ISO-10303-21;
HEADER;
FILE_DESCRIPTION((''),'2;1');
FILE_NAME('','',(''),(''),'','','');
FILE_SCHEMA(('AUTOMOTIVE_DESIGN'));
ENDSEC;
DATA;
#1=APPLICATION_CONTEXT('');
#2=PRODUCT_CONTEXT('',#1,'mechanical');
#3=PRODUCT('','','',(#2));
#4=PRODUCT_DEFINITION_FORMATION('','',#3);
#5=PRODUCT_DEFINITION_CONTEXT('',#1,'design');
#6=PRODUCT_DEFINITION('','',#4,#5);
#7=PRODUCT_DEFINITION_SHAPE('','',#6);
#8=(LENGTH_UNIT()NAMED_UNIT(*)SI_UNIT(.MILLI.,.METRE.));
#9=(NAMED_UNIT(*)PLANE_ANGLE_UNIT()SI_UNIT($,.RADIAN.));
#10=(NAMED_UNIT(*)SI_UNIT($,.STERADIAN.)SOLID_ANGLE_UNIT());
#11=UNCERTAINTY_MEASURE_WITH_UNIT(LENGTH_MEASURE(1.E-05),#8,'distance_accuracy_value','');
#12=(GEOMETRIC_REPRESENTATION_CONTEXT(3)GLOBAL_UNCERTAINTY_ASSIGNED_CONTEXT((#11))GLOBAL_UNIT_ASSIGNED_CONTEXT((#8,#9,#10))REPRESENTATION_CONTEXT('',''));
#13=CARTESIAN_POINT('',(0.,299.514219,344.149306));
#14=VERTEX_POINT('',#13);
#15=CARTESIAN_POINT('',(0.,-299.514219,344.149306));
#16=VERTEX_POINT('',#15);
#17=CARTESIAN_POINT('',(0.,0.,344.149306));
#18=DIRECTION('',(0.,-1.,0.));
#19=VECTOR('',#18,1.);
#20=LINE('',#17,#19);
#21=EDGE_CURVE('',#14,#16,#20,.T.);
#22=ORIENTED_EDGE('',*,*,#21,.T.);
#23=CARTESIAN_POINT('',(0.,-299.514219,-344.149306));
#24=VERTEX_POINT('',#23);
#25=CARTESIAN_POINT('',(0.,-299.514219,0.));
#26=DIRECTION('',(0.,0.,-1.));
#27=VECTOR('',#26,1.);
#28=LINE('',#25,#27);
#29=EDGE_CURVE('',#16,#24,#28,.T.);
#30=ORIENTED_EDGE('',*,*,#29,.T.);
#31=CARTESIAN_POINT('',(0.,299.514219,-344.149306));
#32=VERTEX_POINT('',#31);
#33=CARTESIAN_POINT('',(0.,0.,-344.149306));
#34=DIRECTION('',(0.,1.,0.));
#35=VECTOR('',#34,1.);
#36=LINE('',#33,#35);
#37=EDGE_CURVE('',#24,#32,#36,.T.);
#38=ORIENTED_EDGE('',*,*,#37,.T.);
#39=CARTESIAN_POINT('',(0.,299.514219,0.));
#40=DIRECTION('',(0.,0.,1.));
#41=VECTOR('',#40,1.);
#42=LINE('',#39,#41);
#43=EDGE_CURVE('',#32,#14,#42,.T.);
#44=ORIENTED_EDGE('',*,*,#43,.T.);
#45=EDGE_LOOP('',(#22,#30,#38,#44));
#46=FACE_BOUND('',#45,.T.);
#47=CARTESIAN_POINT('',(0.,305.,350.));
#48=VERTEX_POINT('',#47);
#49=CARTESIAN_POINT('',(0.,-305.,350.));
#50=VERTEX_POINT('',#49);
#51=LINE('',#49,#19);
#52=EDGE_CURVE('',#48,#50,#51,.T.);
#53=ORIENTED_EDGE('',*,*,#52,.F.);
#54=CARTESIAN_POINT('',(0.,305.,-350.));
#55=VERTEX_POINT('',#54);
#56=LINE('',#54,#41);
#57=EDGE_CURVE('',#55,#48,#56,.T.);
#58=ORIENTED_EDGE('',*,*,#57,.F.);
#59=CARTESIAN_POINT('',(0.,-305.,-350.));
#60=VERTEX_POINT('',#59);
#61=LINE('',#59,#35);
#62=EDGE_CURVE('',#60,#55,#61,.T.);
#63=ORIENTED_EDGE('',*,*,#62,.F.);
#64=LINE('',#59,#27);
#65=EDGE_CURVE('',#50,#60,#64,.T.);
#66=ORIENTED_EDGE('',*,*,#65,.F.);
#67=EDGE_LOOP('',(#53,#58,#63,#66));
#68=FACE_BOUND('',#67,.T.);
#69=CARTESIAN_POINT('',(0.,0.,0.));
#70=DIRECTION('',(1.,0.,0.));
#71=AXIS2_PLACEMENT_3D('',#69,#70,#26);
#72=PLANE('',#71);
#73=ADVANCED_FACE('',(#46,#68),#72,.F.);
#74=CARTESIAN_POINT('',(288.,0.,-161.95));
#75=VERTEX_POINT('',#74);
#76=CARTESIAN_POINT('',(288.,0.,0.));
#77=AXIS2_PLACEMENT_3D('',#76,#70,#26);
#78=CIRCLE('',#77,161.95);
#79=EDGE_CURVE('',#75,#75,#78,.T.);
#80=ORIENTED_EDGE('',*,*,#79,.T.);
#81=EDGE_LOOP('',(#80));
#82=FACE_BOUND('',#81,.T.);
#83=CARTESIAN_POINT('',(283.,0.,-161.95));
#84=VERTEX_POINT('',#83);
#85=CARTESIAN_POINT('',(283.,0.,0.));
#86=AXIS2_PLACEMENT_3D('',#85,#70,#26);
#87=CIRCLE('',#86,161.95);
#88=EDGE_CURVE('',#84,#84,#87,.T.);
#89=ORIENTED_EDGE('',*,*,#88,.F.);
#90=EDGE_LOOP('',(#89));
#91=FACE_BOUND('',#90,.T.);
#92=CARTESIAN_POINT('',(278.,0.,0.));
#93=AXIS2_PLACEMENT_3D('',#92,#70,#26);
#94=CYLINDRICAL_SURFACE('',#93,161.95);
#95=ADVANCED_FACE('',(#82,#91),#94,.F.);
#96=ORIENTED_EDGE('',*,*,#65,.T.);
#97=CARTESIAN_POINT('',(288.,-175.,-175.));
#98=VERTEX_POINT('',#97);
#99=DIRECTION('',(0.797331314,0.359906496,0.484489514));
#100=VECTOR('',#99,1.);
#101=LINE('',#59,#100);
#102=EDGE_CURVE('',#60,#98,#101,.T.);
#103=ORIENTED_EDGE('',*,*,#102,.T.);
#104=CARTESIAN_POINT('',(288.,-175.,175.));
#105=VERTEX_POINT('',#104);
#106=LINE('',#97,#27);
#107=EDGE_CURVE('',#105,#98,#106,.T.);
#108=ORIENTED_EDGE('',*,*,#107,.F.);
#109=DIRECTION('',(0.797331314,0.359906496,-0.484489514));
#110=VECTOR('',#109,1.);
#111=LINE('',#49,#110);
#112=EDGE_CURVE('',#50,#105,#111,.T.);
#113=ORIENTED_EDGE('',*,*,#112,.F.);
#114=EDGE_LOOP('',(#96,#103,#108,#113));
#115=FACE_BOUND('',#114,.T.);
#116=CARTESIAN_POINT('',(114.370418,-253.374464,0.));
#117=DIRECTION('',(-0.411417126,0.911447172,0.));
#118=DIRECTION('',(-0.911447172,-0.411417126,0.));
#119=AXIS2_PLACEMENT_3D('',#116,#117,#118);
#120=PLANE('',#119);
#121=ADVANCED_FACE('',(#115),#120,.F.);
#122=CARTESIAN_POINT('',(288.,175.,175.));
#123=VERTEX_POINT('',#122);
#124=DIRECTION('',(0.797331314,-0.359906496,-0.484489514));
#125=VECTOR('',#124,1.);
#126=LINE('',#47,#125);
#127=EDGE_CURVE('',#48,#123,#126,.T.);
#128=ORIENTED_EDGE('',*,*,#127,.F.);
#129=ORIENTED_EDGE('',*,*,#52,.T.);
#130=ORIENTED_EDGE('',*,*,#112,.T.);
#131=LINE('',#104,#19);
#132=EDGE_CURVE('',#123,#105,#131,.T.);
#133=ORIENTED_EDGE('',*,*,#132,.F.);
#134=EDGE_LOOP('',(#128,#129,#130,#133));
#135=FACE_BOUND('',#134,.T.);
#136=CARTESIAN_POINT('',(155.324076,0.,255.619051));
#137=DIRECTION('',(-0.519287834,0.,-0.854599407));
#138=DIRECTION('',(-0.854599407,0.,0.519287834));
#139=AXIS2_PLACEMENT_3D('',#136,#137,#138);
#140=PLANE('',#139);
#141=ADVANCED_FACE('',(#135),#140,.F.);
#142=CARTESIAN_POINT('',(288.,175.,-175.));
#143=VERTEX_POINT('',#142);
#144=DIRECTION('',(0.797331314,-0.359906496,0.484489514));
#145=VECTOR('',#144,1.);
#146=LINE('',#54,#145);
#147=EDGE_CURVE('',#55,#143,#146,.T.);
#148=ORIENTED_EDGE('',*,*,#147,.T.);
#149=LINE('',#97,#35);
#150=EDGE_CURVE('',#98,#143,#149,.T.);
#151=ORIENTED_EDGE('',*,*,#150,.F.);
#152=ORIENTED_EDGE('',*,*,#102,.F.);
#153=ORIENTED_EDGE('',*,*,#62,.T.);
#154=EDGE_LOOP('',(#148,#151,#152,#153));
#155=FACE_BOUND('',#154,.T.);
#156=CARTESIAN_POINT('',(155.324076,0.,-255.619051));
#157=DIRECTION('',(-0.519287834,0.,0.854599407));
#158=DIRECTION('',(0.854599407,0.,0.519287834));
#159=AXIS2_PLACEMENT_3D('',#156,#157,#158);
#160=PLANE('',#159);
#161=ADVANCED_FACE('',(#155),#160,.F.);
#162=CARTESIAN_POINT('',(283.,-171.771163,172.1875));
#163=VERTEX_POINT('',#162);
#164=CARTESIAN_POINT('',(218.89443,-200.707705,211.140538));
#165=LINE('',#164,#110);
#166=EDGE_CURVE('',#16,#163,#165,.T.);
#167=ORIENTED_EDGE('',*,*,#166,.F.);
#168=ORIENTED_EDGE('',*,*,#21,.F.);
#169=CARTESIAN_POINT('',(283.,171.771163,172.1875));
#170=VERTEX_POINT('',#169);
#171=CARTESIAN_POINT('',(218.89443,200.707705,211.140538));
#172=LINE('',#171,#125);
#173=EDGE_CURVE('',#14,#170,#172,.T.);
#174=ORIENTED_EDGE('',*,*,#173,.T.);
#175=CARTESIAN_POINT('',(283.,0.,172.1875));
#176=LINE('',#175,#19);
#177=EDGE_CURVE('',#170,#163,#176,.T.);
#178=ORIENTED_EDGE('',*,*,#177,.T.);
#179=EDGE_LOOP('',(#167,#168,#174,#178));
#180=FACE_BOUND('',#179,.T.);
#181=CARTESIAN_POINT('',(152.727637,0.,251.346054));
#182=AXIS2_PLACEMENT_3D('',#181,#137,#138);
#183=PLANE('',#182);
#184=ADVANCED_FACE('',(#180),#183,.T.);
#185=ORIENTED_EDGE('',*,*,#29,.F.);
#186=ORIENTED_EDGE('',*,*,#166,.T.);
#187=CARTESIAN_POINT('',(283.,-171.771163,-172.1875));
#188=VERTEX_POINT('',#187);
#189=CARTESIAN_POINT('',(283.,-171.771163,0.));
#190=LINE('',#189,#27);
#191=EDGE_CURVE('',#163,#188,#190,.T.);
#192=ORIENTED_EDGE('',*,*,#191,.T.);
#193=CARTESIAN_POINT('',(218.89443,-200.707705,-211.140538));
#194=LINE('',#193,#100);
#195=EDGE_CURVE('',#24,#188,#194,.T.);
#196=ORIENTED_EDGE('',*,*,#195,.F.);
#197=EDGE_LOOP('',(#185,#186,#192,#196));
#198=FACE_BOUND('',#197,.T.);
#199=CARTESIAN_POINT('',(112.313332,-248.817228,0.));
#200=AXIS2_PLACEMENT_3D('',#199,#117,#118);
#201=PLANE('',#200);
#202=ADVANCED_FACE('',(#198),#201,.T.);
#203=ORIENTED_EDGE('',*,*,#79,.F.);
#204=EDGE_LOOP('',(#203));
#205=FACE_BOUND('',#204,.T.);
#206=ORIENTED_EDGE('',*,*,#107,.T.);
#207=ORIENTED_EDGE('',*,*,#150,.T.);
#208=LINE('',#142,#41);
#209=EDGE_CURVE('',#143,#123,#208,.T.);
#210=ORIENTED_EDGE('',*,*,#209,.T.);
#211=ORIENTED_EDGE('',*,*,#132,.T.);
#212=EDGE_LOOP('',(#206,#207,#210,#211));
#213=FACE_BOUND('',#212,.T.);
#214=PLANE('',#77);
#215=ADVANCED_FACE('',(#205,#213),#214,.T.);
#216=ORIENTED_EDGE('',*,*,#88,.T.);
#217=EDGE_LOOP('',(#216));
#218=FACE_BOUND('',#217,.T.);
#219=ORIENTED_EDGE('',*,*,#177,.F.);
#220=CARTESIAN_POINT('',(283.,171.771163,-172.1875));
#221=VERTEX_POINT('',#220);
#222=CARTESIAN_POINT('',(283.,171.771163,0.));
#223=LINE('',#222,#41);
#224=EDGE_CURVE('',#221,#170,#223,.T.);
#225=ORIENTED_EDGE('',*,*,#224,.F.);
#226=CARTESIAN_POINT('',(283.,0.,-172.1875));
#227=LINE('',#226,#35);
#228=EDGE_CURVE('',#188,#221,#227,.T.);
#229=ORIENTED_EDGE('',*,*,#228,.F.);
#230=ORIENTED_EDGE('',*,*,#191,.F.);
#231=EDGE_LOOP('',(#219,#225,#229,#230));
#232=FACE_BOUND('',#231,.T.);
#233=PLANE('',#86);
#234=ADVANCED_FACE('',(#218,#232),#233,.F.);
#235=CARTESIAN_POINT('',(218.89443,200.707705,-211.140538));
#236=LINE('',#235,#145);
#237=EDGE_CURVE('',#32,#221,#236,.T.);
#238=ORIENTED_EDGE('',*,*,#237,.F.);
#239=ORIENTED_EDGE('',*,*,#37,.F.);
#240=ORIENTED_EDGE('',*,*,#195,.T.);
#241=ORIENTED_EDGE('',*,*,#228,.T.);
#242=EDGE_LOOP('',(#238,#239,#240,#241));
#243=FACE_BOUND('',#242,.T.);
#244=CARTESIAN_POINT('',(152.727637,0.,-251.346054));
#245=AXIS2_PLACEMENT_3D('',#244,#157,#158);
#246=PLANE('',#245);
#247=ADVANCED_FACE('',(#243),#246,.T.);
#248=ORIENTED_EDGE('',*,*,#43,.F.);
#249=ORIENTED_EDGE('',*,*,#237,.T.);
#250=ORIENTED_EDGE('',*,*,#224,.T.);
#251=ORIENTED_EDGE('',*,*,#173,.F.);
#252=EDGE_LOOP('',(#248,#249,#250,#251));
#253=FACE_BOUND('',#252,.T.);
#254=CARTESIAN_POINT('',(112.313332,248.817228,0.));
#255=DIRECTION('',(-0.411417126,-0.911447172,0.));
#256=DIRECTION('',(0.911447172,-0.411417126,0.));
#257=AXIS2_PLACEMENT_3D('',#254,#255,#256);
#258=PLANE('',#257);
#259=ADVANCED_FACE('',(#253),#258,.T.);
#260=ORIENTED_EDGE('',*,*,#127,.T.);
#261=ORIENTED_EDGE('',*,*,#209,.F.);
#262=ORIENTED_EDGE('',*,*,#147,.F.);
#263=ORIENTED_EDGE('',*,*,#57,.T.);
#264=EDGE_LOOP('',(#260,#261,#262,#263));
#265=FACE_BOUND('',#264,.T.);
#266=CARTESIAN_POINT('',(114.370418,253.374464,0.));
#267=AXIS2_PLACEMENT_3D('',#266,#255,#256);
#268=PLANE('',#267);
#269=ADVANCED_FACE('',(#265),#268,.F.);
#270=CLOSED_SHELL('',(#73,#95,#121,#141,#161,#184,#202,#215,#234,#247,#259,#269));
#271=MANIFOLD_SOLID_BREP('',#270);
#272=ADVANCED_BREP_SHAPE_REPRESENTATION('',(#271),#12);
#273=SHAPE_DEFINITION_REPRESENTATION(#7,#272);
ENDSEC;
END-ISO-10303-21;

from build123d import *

# Parameters (mm, degrees)
SHELL1_T           = -5
SKETCH3_R          = 161.95
CUT_EXTRUDE1_DEPTH = 10


with BuildPart() as part:
    # Sketch1 → Loft1 section 0
    with BuildSketch(Plane(origin=(0, 0, 0), x_dir=(0, 0, -1), z_dir=(1, 0, 0))):
        with BuildLine():
            Line((350, -305), (-350, -305))
            Line((-350, -305), (-350, 305))
            Line((-350, 305), (350, 305))
            Line((350, 305), (350, -305))
        make_face()
    # Sketch2 → Loft1 section 1
    with BuildSketch(Plane(origin=(288, 0, 0), x_dir=(0, 0, -1), z_dir=(1, 0, 0))):
        with BuildLine():
            Line((175, -175), (-175, -175))
            Line((-175, -175), (-175, 175))
            Line((-175, 175), (175, 175))
            Line((175, 175), (175, -175))
        make_face()
    loft()

    # Shell1
    shell1_openings = [part.faces().sort_by_distance(p)[0] for p in [
        (0, 0, 0),
    ]]
    offset(amount=SHELL1_T, openings=shell1_openings, kind=Kind.INTERSECTION)

    # Sketch3 → Cut-Extrude1 (cut)
    with BuildSketch(Plane(origin=(288, 0, 0), x_dir=(0, 0, -1), z_dir=(1, 0, 0))):
        Circle(SKETCH3_R)
    extrude(amount=-CUT_EXTRUDE1_DEPTH, mode=Mode.SUBTRACT)


solid = part.part
